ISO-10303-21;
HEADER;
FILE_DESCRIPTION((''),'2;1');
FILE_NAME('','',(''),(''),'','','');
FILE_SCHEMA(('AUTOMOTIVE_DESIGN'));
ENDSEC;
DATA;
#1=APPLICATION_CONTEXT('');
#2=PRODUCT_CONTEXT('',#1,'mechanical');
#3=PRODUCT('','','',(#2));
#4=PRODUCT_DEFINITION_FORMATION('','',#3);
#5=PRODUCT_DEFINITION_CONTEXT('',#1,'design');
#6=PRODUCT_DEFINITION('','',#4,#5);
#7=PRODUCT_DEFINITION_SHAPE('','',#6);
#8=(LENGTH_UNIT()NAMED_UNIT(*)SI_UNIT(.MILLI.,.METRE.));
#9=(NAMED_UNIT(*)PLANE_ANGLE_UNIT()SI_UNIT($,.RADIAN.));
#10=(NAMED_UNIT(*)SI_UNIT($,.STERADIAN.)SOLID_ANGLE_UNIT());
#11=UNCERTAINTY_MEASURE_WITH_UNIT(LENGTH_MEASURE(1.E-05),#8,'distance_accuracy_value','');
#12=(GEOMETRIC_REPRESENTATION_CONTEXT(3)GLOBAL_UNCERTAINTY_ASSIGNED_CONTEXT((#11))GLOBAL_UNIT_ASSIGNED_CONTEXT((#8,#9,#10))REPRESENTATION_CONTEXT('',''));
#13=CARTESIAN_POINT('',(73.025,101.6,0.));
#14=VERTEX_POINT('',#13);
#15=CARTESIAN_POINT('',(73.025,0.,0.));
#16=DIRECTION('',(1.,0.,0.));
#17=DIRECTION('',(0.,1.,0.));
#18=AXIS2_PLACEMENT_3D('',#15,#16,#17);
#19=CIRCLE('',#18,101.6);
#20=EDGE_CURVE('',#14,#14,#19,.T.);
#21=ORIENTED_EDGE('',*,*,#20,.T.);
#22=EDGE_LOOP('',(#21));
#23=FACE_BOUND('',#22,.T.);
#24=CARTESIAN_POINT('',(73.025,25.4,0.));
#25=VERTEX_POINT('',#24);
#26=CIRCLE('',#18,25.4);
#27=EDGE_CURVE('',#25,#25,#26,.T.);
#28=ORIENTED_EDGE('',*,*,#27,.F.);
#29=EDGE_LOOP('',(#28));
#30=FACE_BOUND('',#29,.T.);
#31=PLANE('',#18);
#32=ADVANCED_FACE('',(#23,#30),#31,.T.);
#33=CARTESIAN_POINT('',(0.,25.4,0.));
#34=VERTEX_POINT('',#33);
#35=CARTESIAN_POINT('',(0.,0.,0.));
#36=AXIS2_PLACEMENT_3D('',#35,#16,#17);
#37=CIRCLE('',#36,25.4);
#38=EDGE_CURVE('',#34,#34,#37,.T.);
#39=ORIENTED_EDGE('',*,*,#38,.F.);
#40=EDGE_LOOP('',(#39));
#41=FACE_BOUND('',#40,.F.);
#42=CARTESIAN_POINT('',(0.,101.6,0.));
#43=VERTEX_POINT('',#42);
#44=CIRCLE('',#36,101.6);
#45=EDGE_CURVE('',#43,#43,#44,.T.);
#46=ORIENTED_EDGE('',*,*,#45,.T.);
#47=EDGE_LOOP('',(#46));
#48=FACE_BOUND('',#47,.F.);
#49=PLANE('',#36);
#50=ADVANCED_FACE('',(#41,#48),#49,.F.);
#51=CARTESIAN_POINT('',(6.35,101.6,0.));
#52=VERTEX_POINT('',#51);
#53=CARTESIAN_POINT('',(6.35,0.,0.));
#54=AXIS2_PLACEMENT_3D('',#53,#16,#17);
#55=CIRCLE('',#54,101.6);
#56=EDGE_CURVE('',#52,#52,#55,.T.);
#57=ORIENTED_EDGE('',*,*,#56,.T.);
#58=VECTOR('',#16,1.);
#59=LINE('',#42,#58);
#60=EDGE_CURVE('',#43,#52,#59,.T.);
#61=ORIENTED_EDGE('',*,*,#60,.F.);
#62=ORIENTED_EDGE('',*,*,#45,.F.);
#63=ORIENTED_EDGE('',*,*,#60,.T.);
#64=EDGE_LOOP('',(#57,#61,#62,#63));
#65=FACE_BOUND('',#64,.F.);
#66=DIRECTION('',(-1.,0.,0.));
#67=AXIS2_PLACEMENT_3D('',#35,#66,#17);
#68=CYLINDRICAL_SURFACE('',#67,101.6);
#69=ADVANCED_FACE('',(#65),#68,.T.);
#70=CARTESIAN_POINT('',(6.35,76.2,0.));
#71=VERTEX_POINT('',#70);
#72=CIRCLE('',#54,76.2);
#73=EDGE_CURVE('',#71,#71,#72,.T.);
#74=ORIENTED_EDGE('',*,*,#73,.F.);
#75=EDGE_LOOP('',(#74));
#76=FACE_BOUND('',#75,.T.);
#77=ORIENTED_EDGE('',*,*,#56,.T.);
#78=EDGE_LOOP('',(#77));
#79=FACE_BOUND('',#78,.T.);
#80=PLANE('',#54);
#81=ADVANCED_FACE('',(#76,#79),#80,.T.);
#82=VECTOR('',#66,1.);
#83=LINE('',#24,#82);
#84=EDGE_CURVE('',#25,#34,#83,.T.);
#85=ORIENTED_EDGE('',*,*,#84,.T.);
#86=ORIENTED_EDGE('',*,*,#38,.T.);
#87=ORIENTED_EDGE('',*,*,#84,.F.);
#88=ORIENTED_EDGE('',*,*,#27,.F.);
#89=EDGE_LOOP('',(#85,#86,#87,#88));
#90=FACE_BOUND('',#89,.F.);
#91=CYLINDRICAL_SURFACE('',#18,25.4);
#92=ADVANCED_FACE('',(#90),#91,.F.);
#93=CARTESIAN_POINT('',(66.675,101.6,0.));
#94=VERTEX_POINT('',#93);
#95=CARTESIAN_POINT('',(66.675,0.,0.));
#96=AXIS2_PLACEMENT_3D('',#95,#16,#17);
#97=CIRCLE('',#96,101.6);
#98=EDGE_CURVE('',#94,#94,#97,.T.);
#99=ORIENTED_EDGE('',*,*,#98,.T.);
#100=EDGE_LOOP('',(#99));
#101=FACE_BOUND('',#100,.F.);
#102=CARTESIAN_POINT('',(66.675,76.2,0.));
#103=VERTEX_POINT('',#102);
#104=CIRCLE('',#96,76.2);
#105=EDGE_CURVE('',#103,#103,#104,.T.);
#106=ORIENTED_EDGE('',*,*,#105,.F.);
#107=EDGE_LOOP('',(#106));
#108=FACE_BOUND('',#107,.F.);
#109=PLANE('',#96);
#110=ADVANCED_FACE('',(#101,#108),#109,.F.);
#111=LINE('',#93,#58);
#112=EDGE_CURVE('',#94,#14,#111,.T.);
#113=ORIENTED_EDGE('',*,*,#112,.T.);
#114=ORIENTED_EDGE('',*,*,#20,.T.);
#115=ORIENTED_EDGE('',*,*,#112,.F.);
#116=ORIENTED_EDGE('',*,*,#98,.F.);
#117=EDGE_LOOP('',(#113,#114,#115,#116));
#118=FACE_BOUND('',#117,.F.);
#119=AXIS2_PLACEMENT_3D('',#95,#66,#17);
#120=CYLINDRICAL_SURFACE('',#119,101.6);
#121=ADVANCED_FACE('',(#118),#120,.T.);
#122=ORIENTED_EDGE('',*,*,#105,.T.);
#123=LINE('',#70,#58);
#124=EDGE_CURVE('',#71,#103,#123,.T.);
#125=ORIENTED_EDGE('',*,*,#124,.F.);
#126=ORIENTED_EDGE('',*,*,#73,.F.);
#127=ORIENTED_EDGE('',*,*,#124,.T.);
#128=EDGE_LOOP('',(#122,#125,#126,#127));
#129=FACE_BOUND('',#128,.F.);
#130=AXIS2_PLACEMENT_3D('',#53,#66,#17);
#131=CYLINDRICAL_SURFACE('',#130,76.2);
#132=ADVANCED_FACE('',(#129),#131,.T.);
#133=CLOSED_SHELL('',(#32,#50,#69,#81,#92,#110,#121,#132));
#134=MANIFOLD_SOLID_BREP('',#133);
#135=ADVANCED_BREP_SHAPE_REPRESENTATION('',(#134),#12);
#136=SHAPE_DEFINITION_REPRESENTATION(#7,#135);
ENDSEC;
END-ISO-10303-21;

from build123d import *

# Parameters (mm, degrees)
F0_R     = 101.6
F1_DEPTH = 6.35
F2_R     = 76.2
F3_DEPTH = 60.325
F4_R     = 101.6
F5_DEPTH = 6.35
F6_R     = 25.4
F7_DEPTH = 73.026


with BuildPart() as f1:
    # F0 (on Right) → F1 (new body)
    with BuildSketch(Plane.YZ):
        Circle(F0_R)
    extrude(amount=F1_DEPTH)

    # F2 (on face) → F3 (join)
    with BuildSketch(Plane.YZ.offset(6.35)):
        Circle(F2_R)
    extrude(amount=F3_DEPTH)

    # F4 (on face) → F5 (join)
    with BuildSketch(Plane.YZ.offset(66.675)):
        Circle(F4_R)
    extrude(amount=F5_DEPTH)

    # F6 (on face) → F7 (cut, through all)
    with BuildSketch(Plane.YZ.offset(73.025)):
        Circle(F6_R)
    extrude(amount=-F7_DEPTH, mode=Mode.SUBTRACT)


solid = f1.part
